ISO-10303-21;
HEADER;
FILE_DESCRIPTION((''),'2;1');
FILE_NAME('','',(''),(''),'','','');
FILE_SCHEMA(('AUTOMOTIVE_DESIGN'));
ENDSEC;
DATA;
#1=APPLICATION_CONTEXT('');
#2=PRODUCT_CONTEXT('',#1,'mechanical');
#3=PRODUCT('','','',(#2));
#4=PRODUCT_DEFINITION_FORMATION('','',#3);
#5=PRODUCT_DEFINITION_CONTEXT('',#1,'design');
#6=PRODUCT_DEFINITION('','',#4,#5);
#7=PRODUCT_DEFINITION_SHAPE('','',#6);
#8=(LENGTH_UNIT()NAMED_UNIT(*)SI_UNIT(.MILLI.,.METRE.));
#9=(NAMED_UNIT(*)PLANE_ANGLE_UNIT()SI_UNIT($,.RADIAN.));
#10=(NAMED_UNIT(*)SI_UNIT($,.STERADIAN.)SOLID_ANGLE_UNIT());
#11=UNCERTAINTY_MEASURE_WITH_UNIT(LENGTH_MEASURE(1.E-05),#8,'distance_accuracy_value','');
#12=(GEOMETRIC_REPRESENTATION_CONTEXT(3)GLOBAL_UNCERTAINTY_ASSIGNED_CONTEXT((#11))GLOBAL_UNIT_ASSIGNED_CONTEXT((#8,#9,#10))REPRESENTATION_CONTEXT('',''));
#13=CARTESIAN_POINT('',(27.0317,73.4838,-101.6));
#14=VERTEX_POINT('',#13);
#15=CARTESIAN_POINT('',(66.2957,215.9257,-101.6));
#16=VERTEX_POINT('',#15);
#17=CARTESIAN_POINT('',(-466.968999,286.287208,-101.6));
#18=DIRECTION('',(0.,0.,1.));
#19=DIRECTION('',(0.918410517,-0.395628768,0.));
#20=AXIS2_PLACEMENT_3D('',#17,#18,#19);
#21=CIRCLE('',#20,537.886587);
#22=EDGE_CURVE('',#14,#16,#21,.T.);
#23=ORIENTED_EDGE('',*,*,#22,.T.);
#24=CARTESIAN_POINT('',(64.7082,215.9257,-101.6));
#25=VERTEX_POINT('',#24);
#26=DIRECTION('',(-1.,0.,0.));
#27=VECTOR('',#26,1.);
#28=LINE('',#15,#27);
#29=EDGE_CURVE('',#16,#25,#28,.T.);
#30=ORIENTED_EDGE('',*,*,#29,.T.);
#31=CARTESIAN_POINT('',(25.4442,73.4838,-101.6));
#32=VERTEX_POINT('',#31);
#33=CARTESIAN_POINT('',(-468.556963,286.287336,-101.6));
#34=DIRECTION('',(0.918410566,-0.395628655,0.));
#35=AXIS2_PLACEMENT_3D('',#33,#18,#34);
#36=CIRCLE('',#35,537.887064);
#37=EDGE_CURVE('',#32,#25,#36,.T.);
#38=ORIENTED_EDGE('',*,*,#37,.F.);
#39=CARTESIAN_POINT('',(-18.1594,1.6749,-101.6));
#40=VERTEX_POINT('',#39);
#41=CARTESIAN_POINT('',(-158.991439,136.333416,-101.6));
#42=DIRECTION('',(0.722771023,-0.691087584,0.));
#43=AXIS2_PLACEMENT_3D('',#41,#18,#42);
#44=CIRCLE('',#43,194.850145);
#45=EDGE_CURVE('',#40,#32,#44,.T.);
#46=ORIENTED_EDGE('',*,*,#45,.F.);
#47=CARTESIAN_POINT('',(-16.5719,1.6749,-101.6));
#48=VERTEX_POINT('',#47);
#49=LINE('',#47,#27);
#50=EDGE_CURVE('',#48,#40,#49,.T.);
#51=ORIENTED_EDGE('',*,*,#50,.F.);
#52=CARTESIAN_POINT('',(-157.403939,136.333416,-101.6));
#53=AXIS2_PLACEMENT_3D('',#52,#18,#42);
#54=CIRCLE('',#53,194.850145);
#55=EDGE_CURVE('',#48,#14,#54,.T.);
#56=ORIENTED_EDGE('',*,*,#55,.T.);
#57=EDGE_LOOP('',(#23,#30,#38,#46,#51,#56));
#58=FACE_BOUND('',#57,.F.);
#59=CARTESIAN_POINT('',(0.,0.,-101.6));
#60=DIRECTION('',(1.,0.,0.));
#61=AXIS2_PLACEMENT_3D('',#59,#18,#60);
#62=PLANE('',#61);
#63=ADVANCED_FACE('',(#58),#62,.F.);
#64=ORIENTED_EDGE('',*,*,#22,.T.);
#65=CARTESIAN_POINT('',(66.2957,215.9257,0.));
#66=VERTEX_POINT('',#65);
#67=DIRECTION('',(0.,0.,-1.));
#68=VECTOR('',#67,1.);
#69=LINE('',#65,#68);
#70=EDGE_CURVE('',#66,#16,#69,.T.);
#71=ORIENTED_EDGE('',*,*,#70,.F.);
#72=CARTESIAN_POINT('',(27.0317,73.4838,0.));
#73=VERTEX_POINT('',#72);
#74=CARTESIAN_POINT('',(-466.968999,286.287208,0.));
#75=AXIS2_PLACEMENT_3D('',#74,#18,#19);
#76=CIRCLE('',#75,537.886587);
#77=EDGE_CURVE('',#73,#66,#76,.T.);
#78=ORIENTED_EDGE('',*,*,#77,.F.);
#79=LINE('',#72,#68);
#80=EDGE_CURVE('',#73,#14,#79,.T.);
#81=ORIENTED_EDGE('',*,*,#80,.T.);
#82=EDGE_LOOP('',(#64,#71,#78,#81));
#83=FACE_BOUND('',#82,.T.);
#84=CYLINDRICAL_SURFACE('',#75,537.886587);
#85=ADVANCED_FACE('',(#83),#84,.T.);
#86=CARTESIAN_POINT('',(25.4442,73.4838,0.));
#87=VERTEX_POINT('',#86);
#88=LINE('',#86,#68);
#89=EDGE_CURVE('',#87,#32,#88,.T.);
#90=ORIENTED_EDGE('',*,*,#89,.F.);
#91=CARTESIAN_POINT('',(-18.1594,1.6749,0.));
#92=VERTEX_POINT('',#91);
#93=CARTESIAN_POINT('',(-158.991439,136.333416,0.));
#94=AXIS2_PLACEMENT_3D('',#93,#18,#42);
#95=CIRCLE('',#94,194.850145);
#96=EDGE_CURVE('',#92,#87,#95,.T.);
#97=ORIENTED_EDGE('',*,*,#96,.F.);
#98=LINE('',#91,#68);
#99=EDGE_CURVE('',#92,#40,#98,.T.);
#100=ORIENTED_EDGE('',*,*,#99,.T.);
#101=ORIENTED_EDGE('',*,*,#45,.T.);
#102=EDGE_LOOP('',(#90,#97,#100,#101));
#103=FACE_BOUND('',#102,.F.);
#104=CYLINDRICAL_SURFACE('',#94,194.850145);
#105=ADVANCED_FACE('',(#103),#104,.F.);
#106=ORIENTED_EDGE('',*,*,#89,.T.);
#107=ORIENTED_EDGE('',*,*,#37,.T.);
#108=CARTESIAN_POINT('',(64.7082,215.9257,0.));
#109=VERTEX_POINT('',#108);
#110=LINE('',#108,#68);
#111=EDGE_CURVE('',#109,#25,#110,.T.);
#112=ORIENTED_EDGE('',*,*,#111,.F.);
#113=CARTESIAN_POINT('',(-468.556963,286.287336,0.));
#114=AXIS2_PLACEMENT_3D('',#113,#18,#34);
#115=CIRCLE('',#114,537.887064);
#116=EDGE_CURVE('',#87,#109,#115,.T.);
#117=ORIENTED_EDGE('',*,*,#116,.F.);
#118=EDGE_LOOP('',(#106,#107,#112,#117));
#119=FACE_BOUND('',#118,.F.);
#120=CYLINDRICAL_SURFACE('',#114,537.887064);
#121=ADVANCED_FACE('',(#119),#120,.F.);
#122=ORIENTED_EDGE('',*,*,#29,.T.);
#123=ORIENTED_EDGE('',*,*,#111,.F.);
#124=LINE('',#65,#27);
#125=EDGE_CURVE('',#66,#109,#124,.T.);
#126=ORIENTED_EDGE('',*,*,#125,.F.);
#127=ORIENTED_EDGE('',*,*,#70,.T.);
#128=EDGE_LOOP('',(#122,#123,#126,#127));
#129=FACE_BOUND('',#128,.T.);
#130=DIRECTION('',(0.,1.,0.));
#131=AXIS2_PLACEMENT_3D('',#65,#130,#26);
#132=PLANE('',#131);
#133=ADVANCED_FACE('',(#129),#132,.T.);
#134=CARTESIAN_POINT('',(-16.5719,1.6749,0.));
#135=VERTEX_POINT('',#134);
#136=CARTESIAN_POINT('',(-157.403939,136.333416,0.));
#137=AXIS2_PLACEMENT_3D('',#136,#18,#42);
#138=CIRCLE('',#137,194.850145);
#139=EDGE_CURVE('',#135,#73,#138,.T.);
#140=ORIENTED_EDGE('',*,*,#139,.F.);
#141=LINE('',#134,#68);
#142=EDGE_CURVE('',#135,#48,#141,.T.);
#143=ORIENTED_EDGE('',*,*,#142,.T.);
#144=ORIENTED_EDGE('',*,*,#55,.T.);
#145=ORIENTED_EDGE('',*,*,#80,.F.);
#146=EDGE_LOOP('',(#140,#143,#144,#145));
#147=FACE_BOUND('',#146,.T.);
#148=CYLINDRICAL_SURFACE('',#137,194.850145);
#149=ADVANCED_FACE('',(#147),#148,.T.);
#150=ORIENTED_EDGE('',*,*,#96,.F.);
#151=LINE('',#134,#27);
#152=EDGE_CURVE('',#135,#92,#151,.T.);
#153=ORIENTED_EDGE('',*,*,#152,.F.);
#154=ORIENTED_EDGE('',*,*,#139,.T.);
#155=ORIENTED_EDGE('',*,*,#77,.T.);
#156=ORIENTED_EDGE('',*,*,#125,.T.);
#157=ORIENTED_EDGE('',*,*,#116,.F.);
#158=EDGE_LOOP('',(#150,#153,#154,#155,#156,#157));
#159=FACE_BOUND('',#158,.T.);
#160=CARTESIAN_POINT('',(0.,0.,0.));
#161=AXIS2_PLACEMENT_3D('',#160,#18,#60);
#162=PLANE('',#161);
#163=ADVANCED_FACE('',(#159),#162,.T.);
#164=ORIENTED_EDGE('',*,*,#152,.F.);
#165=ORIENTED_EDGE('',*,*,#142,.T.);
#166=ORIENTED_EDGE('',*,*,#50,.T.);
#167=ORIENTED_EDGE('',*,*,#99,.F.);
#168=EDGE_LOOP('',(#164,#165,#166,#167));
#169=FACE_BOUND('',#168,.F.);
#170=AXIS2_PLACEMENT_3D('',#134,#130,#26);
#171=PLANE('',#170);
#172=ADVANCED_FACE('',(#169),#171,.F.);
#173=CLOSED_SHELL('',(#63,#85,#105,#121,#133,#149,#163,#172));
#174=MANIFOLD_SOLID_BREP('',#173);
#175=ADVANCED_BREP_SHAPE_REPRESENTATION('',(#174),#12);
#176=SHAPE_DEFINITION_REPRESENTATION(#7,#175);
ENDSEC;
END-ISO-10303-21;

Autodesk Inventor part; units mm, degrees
ref_plane "YZ Plane" through (0, 0, 0) normal (1, 0, 0) x (0, 1, 0)
ref_plane "XZ Plane" through (0, 0, 0) normal (0, 1, 0) x (-1, 0, 0)
ref_plane "XY Plane" through (0, 0, 0) normal (0, 0, 1) x (1, 0, 0)
sketch "Sketch1" plane through (0, 0, 0) normal (0, 0, 1) x (1, 0, 0)
  arc A0 (-16.5719, 1.6749) -> (27.0317, 73.4838) centre (-157.4047, 136.334) ccw
  arc A1 (27.0317, 73.4838) -> (66.2957, 215.9257) centre (-466.9704, 286.2877) ccw
  line L0 (-16.5719, 1.6749) -> (-18.1594, 1.6749)
  line L1 (66.2957, 215.9257) -> (64.7082, 215.9257)
  arc A2 (25.4442, 73.4838) -> (64.7082, 215.9257) centre (-468.558, 286.2877) ccw
  arc A3 (-18.1594, 1.6749) -> (25.4442, 73.4838) centre (-158.9922, 136.334) ccw
  dimension "d0" = 1.5875
  dimension "d2" = 1.5875
  dimension "d3" = 537.8882
  dimension "d4" = 194.851
extrude "Extrusion1" add sketch "Sketch1" against normal blind 101.6
properties part number "Bottom Lexan Ramp" material "Polycarbonate, Clear"
